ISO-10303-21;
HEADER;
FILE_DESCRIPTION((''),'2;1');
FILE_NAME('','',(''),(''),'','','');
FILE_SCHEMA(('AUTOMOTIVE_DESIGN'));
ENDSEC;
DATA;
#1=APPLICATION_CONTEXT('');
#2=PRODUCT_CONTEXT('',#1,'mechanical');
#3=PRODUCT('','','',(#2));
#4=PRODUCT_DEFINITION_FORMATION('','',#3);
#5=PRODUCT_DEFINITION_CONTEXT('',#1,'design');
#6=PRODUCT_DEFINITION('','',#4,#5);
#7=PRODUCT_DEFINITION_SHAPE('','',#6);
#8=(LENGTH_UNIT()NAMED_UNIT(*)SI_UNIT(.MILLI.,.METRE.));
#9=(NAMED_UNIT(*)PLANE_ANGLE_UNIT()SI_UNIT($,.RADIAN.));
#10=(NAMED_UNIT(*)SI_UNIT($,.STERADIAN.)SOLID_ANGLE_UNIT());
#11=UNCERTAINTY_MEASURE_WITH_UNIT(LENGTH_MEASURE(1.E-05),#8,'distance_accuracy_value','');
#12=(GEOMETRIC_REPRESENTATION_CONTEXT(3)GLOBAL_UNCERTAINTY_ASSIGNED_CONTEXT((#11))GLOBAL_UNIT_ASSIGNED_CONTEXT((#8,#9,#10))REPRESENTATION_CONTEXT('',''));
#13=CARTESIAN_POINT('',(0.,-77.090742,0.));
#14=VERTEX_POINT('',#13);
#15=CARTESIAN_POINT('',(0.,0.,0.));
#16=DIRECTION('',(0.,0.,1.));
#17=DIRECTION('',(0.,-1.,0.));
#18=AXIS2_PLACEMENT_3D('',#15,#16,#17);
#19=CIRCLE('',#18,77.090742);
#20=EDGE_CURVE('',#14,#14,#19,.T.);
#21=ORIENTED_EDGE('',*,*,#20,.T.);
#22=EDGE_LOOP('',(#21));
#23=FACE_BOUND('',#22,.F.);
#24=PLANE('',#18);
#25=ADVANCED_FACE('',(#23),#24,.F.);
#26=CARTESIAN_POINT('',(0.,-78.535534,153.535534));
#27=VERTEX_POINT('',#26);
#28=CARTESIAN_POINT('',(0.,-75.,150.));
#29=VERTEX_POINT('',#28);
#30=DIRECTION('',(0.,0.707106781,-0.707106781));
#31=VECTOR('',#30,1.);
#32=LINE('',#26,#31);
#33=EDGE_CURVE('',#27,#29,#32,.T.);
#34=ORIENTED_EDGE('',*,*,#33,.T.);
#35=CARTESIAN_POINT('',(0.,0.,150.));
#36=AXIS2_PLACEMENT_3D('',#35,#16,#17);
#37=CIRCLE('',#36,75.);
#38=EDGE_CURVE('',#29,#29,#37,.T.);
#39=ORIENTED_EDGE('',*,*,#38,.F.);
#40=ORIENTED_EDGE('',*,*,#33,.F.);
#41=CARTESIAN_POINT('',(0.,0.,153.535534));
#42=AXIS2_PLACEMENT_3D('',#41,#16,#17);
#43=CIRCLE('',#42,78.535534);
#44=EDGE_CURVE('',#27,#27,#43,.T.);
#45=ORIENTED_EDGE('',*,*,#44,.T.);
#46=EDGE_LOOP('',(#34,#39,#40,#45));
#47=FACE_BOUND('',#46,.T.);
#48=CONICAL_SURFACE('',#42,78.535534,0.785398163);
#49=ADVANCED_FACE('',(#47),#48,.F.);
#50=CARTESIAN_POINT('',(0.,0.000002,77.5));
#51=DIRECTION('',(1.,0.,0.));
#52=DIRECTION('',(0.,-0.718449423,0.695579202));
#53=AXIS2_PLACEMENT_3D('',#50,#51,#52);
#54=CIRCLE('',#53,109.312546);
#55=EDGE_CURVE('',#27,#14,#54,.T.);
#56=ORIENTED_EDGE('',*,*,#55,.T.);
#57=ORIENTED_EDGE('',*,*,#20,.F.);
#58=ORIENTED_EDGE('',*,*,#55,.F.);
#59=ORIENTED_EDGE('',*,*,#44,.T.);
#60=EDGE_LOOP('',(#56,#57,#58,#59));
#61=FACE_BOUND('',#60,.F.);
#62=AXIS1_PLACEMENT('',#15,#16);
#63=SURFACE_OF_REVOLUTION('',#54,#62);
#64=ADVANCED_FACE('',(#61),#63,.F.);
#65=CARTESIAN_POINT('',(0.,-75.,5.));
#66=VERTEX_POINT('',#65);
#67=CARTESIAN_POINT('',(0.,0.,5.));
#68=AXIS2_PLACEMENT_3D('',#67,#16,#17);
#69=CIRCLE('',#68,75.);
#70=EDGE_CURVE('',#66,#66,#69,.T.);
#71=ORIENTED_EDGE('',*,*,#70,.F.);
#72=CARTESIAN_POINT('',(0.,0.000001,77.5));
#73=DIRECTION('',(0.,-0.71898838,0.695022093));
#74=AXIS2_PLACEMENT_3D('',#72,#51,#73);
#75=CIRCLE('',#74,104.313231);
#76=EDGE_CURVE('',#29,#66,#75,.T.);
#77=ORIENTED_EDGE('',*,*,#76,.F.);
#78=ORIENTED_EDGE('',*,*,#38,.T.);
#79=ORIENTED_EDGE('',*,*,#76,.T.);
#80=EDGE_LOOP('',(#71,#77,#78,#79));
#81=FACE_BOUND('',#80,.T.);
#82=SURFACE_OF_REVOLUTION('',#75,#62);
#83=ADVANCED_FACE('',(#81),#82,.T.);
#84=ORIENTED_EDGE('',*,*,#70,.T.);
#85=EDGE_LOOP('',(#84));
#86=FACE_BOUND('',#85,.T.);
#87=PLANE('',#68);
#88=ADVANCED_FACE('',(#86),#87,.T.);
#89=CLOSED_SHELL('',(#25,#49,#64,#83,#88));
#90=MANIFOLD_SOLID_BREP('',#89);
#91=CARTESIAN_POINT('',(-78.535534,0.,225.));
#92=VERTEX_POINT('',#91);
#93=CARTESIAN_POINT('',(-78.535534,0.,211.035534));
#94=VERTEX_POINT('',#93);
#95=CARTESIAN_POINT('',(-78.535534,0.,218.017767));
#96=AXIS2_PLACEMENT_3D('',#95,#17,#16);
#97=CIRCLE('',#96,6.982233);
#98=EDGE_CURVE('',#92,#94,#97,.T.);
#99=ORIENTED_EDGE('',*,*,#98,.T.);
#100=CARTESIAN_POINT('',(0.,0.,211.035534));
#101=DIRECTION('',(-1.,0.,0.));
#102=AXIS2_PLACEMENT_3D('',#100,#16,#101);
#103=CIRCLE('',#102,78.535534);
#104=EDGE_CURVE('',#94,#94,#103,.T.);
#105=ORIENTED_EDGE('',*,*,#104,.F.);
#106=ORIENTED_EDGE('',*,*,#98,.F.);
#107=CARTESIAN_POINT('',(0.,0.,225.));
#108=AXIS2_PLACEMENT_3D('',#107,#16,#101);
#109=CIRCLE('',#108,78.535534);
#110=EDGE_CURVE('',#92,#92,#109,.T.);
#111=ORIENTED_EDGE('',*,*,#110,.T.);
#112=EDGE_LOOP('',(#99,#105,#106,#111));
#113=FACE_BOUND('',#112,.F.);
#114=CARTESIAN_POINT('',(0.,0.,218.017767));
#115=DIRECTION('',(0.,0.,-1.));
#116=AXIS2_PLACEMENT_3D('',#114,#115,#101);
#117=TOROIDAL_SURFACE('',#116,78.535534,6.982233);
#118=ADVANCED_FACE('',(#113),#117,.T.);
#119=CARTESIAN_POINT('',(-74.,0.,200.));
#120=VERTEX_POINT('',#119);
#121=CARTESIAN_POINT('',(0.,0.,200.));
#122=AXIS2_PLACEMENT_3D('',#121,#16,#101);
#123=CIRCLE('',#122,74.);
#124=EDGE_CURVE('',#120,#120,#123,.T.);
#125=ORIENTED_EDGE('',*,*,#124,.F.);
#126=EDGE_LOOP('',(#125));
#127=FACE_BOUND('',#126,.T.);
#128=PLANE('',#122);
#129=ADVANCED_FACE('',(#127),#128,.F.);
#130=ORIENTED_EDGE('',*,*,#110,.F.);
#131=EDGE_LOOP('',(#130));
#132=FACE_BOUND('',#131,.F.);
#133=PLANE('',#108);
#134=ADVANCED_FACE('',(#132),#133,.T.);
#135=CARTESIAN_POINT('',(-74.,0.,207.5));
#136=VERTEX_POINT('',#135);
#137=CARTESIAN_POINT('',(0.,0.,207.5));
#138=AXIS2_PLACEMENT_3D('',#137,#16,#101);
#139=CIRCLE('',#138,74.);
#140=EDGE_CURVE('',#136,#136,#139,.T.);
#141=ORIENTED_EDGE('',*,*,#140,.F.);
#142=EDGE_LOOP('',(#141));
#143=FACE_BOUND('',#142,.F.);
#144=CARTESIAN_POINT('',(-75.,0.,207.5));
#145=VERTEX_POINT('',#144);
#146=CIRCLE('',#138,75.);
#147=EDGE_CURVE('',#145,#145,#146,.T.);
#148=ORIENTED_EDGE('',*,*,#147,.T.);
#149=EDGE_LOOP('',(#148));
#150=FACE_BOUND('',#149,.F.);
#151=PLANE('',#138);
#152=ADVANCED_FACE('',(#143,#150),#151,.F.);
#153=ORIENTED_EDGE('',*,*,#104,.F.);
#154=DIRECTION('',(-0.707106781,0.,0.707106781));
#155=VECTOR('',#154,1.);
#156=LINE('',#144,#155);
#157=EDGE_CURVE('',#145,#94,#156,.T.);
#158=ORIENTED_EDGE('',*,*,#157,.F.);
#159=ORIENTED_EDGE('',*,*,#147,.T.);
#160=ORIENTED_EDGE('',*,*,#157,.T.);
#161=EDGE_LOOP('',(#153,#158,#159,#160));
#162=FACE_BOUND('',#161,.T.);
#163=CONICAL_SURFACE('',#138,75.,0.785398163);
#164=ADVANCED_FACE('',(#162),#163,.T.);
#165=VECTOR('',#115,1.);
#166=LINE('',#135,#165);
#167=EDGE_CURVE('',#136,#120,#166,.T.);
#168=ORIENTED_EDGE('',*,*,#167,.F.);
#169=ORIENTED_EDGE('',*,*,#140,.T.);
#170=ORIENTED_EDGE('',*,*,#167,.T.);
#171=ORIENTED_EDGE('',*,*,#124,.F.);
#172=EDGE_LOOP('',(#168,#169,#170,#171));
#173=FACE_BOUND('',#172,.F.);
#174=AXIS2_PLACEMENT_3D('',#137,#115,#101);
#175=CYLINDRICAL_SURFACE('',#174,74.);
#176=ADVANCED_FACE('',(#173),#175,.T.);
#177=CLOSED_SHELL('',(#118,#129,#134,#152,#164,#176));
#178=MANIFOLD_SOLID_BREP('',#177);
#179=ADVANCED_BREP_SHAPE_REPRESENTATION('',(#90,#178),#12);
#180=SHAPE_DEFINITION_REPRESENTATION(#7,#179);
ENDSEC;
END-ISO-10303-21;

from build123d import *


with BuildPart() as body:
    # Sketch → Revolution (revolve)
    with BuildSketch(Plane.YZ):
        with BuildLine():
            Line((-77.090742, 0), (0, 0))
            Line((0, 5), (0, 0))
            Line((-75, 5), (0, 5))
            ThreePointArc((-75, 150), (-104.31323, 77.5), (-75, 5))
            Line((-78.535534, 153.535534), (-75, 150))
            ThreePointArc((-78.535534, 153.535534), (-109.307705, 76.471398), (-77.090742, 0))
        make_face()
    revolve(axis=Axis((0, 0, 0), (0, 0, 1)))


with BuildPart() as lid:
    # Sketch001 → Revolution001 (revolve)
    with BuildSketch(Plane.XZ):
        with BuildLine():
            Line((0, 225), (0, 200))
            Line((0, 200), (-74, 200))
            Line((-74, 207.5), (-74, 200))
            Line((-75, 207.5), (-74, 207.5))
            Line((-75, 207.5), (-78.535534, 211.035534))
            ThreePointArc((-78.535534, 225), (-85.517767, 218.017767), (-78.535534, 211.035534))
            Line((0, 225), (-78.535534, 225))
        make_face()
    revolve(axis=Axis((0, 0, 0), (0, 0, 1)))


solid = Compound([body.part, lid.part])
